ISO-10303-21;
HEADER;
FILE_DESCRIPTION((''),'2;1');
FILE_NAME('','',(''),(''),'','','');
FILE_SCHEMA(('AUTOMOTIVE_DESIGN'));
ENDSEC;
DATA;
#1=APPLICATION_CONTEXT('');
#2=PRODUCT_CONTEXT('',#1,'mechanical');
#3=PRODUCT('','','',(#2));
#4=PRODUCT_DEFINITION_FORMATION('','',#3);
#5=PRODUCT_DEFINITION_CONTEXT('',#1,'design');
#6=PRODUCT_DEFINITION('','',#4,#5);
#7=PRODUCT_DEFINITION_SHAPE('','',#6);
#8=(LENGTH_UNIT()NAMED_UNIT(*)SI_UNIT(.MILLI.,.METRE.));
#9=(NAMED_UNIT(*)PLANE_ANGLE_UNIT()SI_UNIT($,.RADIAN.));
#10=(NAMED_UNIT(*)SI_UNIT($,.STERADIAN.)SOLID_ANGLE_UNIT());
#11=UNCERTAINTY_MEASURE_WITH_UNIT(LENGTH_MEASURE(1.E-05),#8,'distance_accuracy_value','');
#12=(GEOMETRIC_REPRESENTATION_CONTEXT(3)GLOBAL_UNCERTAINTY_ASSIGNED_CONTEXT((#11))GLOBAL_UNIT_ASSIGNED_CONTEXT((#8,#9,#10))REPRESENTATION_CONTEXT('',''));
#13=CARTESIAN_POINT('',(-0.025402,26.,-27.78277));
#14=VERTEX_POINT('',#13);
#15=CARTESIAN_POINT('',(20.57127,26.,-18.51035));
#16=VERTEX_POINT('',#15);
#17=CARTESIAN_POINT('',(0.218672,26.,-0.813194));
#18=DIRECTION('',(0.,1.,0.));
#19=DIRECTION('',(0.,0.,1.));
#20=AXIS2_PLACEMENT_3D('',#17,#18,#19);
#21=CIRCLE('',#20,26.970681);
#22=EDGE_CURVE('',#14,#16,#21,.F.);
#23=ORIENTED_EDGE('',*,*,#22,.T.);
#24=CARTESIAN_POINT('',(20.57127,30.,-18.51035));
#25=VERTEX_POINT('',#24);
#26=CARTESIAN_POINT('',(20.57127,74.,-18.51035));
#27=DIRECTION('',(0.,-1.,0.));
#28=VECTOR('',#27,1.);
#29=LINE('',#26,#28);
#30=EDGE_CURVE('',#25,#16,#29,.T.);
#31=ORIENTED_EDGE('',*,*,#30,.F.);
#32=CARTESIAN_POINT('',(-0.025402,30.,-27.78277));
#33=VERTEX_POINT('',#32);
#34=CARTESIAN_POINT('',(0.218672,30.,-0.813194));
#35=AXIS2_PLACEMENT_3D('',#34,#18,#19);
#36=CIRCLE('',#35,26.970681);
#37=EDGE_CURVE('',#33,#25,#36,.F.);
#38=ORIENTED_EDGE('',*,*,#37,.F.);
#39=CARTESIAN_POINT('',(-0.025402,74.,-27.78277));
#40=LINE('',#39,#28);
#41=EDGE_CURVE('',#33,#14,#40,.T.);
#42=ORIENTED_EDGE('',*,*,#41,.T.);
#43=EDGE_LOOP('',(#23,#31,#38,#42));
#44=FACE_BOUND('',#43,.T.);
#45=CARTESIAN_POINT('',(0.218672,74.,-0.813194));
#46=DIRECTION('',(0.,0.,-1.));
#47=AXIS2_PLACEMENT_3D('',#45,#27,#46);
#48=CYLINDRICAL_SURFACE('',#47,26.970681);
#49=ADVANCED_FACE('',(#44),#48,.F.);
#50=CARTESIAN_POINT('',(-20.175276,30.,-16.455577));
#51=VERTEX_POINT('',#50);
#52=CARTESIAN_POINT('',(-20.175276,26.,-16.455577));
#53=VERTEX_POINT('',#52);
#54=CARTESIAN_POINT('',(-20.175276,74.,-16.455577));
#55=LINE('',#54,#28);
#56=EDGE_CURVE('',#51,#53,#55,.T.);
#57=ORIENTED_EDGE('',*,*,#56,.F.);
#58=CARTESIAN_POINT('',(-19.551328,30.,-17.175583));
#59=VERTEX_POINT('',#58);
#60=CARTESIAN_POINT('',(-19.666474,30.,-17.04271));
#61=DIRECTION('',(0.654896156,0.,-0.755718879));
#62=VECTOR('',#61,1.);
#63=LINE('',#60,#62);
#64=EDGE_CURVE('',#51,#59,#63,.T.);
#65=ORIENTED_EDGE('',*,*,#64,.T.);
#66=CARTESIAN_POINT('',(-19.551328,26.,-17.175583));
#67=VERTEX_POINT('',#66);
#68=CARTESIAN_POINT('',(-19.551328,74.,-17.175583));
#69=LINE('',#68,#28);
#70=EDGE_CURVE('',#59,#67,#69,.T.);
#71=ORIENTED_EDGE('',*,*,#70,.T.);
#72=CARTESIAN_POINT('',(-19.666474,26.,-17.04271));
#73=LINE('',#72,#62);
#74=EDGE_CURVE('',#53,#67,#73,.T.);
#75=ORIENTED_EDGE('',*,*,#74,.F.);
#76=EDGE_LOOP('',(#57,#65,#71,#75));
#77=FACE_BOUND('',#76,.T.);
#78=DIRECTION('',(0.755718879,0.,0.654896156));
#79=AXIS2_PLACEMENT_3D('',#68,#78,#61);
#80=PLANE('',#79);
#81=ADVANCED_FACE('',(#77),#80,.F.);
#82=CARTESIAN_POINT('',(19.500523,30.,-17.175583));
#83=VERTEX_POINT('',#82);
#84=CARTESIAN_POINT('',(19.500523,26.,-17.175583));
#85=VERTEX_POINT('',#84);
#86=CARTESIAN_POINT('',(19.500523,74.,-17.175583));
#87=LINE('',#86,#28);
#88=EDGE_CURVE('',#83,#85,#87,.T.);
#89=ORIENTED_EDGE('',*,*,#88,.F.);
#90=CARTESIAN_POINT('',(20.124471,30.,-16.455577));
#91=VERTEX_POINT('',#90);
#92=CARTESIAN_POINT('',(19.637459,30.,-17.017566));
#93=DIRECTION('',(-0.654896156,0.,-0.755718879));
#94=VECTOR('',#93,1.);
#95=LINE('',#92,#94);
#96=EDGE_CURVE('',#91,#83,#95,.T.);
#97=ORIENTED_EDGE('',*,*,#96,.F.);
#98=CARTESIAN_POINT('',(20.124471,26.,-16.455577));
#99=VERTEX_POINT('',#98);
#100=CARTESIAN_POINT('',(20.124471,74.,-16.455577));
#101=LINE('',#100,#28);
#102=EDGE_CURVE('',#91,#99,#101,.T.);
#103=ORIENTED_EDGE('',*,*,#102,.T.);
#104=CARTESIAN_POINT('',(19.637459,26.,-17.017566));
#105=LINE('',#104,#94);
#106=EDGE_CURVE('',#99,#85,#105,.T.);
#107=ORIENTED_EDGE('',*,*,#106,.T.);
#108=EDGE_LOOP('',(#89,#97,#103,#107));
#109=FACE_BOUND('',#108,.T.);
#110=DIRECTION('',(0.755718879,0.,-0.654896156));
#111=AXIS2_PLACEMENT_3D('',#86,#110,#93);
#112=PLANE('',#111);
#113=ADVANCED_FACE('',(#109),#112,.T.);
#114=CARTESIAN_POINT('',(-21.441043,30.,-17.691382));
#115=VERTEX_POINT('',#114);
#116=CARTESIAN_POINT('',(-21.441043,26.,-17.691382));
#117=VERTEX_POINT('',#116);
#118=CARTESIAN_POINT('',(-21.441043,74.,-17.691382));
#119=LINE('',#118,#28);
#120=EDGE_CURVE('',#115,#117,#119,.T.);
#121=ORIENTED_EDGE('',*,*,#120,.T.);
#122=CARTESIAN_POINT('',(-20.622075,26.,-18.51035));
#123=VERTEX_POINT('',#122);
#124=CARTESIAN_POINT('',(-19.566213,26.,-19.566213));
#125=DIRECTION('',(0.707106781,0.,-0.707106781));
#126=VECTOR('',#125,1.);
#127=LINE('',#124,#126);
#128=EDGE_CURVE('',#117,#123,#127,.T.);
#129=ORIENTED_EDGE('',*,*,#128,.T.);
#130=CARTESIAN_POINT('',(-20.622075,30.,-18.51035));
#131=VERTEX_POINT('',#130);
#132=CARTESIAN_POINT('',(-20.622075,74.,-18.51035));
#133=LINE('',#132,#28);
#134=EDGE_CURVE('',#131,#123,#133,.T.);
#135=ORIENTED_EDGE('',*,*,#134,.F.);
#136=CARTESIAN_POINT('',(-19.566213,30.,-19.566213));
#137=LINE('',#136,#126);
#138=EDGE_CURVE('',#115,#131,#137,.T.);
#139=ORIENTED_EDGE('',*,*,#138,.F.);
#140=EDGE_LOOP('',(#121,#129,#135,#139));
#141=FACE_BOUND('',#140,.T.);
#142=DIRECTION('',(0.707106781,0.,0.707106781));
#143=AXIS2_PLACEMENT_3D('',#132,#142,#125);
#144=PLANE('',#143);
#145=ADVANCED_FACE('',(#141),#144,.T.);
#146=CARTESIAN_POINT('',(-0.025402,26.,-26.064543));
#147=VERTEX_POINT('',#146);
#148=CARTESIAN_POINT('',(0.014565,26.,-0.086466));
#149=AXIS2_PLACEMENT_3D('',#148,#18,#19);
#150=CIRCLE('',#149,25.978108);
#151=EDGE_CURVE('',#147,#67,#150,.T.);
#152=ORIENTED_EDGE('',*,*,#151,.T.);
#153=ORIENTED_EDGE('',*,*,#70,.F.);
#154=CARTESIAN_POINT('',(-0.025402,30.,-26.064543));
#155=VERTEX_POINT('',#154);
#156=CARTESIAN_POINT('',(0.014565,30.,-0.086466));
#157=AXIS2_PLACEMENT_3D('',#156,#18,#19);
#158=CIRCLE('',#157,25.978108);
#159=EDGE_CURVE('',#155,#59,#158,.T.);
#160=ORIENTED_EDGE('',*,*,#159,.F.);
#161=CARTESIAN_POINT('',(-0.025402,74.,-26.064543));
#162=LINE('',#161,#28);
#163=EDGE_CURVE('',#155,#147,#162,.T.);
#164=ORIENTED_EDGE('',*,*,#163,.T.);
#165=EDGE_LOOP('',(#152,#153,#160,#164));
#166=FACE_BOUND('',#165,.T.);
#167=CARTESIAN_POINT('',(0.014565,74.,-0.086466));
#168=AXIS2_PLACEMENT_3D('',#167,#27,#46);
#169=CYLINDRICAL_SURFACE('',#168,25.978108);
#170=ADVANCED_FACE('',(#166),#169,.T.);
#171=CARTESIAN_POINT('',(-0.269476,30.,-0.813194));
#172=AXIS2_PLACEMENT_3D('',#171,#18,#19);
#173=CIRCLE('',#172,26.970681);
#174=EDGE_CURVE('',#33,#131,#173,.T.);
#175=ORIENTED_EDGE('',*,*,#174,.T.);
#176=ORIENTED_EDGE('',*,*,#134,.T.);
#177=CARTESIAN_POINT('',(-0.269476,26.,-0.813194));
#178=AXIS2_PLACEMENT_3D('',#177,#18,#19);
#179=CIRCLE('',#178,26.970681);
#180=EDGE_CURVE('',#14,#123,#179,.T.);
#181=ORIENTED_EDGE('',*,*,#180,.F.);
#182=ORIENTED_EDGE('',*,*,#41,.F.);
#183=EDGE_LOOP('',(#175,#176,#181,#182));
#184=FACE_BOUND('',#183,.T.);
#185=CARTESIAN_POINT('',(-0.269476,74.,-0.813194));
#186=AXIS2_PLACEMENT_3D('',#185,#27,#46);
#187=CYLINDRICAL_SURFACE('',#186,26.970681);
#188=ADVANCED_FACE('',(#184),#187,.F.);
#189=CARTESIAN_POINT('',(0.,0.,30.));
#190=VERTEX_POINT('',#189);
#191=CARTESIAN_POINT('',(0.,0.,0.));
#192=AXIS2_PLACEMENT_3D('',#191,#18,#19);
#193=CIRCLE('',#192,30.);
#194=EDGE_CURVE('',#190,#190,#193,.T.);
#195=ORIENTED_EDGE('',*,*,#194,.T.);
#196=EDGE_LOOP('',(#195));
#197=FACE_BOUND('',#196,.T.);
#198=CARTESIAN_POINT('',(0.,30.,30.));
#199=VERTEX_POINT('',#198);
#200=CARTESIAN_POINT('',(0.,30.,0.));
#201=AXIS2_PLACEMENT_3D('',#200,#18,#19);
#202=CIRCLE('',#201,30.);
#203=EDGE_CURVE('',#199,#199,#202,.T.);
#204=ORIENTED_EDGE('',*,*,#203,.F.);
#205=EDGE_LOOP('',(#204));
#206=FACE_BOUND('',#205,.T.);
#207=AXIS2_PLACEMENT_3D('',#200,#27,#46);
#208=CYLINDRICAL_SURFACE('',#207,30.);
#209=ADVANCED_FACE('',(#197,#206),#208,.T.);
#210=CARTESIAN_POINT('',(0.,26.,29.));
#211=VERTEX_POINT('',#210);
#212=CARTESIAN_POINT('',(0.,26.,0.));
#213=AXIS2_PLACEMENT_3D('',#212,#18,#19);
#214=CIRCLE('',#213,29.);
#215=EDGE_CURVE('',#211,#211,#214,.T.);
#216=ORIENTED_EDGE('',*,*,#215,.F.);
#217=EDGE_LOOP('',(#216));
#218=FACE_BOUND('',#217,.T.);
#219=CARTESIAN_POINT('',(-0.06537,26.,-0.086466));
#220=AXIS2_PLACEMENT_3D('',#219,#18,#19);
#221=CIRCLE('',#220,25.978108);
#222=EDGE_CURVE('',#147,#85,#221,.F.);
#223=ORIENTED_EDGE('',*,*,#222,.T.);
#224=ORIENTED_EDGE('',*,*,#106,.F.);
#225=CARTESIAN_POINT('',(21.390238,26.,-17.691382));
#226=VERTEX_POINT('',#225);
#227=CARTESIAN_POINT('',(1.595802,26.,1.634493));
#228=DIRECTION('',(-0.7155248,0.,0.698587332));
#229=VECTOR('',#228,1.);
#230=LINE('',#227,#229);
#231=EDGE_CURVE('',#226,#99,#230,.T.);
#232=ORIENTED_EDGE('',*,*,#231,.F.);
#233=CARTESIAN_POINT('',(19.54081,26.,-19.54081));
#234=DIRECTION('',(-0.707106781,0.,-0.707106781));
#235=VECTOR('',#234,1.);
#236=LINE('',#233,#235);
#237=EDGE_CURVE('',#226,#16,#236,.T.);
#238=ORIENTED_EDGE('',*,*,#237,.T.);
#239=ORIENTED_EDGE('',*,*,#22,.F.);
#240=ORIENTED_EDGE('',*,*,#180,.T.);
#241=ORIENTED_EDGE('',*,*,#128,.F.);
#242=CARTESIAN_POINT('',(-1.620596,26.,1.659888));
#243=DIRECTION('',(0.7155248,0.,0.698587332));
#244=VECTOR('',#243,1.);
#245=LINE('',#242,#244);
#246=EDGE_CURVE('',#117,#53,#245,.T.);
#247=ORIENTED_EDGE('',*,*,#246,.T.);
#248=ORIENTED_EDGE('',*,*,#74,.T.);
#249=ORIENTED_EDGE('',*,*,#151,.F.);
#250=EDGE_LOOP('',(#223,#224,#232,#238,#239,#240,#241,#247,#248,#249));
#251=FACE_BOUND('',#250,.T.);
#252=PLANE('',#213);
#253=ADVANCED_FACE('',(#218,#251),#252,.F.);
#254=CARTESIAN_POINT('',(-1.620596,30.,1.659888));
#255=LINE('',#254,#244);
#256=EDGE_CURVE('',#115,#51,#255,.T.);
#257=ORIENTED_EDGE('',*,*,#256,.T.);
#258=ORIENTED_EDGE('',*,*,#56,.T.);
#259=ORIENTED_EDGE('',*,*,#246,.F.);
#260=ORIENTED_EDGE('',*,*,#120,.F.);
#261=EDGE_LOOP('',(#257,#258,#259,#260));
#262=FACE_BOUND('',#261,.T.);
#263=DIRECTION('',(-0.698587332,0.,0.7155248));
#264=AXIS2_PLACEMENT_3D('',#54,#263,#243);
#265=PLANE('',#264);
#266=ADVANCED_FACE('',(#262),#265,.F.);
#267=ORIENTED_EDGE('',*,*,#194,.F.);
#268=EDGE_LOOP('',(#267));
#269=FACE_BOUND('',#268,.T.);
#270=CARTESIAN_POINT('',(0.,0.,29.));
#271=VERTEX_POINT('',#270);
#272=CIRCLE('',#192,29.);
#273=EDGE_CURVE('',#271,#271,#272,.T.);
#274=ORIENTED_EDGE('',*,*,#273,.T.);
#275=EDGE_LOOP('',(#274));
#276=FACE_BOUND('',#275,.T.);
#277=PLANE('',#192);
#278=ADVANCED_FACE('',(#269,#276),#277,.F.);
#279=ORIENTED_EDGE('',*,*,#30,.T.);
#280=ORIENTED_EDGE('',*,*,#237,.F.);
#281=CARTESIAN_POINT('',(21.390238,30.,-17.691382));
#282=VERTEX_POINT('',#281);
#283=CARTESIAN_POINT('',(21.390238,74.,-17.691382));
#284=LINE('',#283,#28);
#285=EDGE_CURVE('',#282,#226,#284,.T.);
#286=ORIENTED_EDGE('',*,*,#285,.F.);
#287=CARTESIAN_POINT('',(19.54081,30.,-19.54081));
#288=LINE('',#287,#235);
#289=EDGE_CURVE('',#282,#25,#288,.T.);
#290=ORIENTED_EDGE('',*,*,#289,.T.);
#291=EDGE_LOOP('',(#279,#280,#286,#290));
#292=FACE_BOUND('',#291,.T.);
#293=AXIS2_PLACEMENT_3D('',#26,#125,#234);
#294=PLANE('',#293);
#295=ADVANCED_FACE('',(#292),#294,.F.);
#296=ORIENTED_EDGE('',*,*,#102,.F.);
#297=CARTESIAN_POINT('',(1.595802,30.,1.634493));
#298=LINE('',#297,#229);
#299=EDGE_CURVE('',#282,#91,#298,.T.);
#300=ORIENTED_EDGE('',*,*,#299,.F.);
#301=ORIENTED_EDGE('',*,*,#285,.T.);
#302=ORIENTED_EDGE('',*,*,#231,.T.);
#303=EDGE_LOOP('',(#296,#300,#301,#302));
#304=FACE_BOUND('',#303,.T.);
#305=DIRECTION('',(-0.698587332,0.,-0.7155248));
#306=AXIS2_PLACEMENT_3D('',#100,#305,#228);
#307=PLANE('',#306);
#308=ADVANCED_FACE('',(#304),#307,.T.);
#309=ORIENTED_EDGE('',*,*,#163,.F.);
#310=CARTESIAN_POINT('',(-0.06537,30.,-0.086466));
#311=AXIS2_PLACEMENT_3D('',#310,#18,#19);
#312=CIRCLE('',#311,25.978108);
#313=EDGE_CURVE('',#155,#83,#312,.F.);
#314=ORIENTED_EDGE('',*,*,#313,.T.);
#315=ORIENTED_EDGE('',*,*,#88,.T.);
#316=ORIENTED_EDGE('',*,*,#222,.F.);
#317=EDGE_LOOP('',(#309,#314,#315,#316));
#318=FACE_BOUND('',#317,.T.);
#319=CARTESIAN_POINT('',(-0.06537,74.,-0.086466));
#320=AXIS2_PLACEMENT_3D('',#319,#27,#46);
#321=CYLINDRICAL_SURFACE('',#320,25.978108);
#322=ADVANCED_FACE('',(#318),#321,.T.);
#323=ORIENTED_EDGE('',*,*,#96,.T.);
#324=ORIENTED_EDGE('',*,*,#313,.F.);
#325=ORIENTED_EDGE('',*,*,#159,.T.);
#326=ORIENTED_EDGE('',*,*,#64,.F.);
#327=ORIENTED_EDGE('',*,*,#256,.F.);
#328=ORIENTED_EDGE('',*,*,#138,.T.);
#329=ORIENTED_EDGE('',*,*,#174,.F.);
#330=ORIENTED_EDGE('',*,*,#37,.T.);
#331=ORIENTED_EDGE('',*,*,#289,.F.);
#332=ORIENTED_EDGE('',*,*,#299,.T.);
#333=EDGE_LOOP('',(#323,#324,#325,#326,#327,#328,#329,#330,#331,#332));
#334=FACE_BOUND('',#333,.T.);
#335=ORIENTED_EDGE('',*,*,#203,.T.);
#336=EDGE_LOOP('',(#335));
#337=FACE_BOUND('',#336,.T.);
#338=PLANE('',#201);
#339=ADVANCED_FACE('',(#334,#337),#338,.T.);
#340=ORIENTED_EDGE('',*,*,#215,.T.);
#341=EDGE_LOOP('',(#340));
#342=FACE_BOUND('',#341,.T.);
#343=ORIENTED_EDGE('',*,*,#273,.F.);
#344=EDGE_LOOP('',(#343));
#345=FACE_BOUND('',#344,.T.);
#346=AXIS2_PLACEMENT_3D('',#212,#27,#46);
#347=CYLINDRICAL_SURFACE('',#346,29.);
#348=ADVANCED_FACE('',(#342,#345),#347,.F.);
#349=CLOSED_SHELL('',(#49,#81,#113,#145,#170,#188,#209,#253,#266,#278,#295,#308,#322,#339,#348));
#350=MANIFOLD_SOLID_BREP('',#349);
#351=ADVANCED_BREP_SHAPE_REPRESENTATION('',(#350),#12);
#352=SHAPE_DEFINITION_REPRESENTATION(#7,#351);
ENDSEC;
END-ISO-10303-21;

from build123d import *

# Parameters (mm, degrees)
SKETCH_1_R          = 30
EXTRUDE_1_DEPTH     = 30
SKETCH_2_R          = 29
CUT_EXTRUDE_1_DEPTH = 26
CUT_EXTRUDE_3_DEPTH = 74


with BuildPart() as part:
    # 草圖1 → 填料-伸長1 (new body)
    with BuildSketch(Plane(origin=(0, 0, 0), x_dir=(1, 0, 0), z_dir=(0, 1, 0))):
        Circle(SKETCH_1_R)
    extrude(amount=EXTRUDE_1_DEPTH)

    # 草圖2 → 除料-伸長1 (cut)
    with BuildSketch(Plane(origin=(0, 0, 0), x_dir=(1, 0, 0), z_dir=(0, 1, 0))):
        Circle(SKETCH_2_R)
    extrude(amount=CUT_EXTRUDE_1_DEPTH, mode=Mode.SUBTRACT)

    # 草圖4 → 除料-伸長3 (cut)
    with BuildSketch(Plane(origin=(0, 0, 0), x_dir=(1, 0, 0), z_dir=(0, 1, 0))):
        with BuildLine():
            Line((-20.622074934, 18.510350175), (-21.441043067, 17.691382042))
            Line((-21.441043067, 17.691382042), (-20.175275746, 16.455577197))
            Line((-20.175275746, 16.455577197), (-19.55132785, 17.175583262))
            ThreePointArc((-19.55132785, 17.175583262), (-10.748837833, 23.729884815), (-0.025402307, 26.064543216))
            ThreePointArc((-0.025402307, 26.064543216), (10.698033219, 23.729884815), (19.500523236, 17.175583262))
            Line((19.500523236, 17.175583262), (20.124471132, 16.455577197))
            Line((20.124471132, 16.455577197), (21.390238453, 17.691382042))
            Line((21.390238453, 17.691382042), (20.57127032, 18.510350175))
            ThreePointArc((20.57127032, 18.510350175), (11.290375881, 25.406586919), (-0.025402307, 27.782770163))
            ThreePointArc((-0.025402307, 27.782770163), (-11.341180495, 25.406586919), (-20.622074934, 18.510350175))
        make_face()
    extrude(amount=CUT_EXTRUDE_3_DEPTH, mode=Mode.SUBTRACT)


solid = part.part
